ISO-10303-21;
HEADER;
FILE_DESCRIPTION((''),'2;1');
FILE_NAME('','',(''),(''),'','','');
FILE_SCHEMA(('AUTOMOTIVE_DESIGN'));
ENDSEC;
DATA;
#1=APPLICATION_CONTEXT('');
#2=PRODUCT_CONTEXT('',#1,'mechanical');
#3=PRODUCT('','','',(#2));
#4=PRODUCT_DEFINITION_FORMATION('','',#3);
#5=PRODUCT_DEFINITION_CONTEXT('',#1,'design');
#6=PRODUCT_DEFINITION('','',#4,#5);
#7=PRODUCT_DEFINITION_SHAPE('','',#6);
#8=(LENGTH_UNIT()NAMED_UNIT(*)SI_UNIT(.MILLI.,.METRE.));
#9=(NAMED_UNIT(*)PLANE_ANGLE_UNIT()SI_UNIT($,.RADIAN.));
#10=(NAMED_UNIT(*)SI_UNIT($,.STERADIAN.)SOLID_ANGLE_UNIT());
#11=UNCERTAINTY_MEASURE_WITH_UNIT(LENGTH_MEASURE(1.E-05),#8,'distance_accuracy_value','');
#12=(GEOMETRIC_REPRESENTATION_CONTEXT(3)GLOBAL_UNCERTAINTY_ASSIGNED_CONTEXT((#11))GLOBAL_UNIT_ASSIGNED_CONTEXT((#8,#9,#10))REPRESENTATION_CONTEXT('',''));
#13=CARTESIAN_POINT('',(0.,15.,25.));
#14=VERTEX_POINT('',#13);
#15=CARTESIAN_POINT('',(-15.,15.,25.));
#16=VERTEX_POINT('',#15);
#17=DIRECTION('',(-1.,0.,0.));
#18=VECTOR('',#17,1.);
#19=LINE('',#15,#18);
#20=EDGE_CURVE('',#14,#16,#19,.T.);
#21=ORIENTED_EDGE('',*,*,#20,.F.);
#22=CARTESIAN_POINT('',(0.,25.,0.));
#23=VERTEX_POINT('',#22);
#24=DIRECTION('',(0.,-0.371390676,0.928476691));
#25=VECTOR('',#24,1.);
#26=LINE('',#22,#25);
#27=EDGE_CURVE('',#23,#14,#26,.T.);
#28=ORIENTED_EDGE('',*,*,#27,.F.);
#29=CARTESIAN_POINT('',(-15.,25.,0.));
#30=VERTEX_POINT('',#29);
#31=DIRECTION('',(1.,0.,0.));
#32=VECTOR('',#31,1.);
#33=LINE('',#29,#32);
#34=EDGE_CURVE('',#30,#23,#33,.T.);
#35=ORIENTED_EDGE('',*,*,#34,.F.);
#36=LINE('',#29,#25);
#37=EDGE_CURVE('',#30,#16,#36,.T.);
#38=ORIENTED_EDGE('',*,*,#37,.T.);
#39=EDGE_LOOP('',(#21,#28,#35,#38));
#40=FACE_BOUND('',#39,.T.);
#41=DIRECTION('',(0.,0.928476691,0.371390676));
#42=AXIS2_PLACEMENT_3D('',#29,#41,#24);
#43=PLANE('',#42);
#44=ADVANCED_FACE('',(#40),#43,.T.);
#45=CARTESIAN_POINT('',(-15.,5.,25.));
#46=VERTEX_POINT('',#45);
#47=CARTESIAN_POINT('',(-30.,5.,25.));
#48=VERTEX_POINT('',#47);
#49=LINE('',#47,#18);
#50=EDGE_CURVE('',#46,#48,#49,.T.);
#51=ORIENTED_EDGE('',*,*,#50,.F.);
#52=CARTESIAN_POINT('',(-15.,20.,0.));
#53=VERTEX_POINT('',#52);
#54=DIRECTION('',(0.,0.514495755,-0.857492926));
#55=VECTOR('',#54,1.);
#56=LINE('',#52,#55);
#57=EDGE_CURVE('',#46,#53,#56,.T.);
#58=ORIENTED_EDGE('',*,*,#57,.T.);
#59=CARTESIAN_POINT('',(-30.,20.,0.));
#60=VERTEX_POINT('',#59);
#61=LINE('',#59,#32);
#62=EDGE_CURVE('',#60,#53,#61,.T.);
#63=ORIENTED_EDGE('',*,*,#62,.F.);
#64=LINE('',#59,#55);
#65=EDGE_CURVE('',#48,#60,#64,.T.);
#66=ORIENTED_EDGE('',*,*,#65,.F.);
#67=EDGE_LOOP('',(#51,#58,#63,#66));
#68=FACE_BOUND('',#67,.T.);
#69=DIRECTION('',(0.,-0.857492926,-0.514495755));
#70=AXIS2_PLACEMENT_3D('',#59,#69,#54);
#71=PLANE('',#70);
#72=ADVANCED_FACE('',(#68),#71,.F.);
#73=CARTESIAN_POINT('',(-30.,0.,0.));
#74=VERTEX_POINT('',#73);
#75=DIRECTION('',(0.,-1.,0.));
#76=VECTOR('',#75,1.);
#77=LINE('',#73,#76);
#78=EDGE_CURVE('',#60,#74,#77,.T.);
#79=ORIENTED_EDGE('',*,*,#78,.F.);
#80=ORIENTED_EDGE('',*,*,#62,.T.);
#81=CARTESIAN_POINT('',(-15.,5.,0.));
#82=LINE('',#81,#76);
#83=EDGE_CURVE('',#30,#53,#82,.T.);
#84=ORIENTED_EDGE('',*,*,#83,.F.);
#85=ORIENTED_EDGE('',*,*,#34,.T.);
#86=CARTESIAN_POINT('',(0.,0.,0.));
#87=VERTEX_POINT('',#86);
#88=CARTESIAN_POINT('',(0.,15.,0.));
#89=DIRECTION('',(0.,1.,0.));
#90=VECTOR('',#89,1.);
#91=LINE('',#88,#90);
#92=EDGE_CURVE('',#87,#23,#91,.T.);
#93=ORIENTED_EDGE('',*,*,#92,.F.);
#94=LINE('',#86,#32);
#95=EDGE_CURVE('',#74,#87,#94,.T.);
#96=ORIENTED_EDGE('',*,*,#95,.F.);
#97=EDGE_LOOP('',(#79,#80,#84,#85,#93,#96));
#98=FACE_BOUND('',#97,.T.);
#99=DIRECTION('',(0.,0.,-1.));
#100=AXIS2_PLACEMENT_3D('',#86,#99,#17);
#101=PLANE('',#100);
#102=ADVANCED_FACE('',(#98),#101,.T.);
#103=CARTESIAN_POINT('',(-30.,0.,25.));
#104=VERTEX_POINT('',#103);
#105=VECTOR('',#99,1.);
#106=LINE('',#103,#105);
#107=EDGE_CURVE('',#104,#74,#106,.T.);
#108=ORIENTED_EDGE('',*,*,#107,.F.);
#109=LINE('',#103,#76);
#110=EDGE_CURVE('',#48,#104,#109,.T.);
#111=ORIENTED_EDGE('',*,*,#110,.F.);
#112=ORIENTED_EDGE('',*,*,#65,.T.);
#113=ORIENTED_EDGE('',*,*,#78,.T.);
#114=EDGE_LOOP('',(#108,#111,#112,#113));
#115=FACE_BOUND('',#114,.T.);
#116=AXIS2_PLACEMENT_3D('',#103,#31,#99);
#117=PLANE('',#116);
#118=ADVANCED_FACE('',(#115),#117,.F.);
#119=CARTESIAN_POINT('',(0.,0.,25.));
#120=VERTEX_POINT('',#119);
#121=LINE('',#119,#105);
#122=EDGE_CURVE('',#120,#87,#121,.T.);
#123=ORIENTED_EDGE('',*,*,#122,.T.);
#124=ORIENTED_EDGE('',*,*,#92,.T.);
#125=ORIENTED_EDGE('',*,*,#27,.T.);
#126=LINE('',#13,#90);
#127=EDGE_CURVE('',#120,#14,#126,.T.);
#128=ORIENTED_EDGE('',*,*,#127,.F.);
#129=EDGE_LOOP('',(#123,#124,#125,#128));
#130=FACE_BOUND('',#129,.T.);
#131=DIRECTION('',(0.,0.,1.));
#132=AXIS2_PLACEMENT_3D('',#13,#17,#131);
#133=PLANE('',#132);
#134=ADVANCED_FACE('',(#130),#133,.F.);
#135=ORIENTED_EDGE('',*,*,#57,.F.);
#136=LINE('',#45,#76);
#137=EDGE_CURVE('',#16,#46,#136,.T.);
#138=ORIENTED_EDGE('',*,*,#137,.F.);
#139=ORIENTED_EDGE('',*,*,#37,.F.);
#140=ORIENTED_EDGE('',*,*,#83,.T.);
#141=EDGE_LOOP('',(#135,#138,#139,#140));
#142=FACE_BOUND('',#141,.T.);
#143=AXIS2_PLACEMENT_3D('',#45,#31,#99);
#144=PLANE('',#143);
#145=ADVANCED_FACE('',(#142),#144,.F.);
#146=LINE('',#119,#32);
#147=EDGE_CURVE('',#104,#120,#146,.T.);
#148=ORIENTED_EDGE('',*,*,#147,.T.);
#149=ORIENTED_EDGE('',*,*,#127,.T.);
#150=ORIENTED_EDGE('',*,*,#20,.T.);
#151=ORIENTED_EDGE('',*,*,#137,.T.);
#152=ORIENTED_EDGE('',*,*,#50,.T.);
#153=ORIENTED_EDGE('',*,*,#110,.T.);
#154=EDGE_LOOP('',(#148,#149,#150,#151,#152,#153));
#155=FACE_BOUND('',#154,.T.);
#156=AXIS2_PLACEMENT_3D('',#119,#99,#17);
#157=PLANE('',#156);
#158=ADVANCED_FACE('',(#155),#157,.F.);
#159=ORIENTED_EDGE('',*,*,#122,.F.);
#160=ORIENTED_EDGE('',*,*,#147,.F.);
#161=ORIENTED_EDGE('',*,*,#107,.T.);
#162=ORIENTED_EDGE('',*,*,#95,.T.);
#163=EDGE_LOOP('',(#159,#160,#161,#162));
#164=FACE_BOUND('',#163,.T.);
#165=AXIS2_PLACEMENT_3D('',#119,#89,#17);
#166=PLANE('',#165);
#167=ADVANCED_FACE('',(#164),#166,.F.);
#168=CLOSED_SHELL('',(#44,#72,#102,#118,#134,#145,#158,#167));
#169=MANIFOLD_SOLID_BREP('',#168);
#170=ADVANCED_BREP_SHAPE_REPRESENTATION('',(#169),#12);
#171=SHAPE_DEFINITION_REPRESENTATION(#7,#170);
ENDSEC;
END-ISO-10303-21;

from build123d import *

# Parameters (mm, degrees)
BOSS_EXTRUDE1_DEPTH = 25
BOSS_EXTRUDE2_DEPTH = 15
BOSS_EXTRUDE3_DEPTH = 15


with BuildPart() as part:
    # Sketch1 → Boss-Extrude1 (new body)
    with BuildSketch(Plane.XY):
        Polygon((-30, 5), (-15, 5), (-15, 15), (0, 15), (0, 0), (-30, 0), align=None)
    extrude(amount=BOSS_EXTRUDE1_DEPTH)

    # Sketch2 → Boss-Extrude2 (add)
    with BuildSketch(Plane(origin=(0, 0, 0), x_dir=(0, 0, -1), z_dir=(1, 0, 0))):
        Polygon((0, 15), (0, 25), (-25, 15), align=None)
    extrude(amount=-BOSS_EXTRUDE2_DEPTH)

    # Sketch3 → Boss-Extrude3 (add)
    with BuildSketch(Plane.ZY.offset(15)):
        Polygon((0, 5), (0, 20), (25, 5), align=None)
    extrude(amount=BOSS_EXTRUDE3_DEPTH)


solid = part.part
